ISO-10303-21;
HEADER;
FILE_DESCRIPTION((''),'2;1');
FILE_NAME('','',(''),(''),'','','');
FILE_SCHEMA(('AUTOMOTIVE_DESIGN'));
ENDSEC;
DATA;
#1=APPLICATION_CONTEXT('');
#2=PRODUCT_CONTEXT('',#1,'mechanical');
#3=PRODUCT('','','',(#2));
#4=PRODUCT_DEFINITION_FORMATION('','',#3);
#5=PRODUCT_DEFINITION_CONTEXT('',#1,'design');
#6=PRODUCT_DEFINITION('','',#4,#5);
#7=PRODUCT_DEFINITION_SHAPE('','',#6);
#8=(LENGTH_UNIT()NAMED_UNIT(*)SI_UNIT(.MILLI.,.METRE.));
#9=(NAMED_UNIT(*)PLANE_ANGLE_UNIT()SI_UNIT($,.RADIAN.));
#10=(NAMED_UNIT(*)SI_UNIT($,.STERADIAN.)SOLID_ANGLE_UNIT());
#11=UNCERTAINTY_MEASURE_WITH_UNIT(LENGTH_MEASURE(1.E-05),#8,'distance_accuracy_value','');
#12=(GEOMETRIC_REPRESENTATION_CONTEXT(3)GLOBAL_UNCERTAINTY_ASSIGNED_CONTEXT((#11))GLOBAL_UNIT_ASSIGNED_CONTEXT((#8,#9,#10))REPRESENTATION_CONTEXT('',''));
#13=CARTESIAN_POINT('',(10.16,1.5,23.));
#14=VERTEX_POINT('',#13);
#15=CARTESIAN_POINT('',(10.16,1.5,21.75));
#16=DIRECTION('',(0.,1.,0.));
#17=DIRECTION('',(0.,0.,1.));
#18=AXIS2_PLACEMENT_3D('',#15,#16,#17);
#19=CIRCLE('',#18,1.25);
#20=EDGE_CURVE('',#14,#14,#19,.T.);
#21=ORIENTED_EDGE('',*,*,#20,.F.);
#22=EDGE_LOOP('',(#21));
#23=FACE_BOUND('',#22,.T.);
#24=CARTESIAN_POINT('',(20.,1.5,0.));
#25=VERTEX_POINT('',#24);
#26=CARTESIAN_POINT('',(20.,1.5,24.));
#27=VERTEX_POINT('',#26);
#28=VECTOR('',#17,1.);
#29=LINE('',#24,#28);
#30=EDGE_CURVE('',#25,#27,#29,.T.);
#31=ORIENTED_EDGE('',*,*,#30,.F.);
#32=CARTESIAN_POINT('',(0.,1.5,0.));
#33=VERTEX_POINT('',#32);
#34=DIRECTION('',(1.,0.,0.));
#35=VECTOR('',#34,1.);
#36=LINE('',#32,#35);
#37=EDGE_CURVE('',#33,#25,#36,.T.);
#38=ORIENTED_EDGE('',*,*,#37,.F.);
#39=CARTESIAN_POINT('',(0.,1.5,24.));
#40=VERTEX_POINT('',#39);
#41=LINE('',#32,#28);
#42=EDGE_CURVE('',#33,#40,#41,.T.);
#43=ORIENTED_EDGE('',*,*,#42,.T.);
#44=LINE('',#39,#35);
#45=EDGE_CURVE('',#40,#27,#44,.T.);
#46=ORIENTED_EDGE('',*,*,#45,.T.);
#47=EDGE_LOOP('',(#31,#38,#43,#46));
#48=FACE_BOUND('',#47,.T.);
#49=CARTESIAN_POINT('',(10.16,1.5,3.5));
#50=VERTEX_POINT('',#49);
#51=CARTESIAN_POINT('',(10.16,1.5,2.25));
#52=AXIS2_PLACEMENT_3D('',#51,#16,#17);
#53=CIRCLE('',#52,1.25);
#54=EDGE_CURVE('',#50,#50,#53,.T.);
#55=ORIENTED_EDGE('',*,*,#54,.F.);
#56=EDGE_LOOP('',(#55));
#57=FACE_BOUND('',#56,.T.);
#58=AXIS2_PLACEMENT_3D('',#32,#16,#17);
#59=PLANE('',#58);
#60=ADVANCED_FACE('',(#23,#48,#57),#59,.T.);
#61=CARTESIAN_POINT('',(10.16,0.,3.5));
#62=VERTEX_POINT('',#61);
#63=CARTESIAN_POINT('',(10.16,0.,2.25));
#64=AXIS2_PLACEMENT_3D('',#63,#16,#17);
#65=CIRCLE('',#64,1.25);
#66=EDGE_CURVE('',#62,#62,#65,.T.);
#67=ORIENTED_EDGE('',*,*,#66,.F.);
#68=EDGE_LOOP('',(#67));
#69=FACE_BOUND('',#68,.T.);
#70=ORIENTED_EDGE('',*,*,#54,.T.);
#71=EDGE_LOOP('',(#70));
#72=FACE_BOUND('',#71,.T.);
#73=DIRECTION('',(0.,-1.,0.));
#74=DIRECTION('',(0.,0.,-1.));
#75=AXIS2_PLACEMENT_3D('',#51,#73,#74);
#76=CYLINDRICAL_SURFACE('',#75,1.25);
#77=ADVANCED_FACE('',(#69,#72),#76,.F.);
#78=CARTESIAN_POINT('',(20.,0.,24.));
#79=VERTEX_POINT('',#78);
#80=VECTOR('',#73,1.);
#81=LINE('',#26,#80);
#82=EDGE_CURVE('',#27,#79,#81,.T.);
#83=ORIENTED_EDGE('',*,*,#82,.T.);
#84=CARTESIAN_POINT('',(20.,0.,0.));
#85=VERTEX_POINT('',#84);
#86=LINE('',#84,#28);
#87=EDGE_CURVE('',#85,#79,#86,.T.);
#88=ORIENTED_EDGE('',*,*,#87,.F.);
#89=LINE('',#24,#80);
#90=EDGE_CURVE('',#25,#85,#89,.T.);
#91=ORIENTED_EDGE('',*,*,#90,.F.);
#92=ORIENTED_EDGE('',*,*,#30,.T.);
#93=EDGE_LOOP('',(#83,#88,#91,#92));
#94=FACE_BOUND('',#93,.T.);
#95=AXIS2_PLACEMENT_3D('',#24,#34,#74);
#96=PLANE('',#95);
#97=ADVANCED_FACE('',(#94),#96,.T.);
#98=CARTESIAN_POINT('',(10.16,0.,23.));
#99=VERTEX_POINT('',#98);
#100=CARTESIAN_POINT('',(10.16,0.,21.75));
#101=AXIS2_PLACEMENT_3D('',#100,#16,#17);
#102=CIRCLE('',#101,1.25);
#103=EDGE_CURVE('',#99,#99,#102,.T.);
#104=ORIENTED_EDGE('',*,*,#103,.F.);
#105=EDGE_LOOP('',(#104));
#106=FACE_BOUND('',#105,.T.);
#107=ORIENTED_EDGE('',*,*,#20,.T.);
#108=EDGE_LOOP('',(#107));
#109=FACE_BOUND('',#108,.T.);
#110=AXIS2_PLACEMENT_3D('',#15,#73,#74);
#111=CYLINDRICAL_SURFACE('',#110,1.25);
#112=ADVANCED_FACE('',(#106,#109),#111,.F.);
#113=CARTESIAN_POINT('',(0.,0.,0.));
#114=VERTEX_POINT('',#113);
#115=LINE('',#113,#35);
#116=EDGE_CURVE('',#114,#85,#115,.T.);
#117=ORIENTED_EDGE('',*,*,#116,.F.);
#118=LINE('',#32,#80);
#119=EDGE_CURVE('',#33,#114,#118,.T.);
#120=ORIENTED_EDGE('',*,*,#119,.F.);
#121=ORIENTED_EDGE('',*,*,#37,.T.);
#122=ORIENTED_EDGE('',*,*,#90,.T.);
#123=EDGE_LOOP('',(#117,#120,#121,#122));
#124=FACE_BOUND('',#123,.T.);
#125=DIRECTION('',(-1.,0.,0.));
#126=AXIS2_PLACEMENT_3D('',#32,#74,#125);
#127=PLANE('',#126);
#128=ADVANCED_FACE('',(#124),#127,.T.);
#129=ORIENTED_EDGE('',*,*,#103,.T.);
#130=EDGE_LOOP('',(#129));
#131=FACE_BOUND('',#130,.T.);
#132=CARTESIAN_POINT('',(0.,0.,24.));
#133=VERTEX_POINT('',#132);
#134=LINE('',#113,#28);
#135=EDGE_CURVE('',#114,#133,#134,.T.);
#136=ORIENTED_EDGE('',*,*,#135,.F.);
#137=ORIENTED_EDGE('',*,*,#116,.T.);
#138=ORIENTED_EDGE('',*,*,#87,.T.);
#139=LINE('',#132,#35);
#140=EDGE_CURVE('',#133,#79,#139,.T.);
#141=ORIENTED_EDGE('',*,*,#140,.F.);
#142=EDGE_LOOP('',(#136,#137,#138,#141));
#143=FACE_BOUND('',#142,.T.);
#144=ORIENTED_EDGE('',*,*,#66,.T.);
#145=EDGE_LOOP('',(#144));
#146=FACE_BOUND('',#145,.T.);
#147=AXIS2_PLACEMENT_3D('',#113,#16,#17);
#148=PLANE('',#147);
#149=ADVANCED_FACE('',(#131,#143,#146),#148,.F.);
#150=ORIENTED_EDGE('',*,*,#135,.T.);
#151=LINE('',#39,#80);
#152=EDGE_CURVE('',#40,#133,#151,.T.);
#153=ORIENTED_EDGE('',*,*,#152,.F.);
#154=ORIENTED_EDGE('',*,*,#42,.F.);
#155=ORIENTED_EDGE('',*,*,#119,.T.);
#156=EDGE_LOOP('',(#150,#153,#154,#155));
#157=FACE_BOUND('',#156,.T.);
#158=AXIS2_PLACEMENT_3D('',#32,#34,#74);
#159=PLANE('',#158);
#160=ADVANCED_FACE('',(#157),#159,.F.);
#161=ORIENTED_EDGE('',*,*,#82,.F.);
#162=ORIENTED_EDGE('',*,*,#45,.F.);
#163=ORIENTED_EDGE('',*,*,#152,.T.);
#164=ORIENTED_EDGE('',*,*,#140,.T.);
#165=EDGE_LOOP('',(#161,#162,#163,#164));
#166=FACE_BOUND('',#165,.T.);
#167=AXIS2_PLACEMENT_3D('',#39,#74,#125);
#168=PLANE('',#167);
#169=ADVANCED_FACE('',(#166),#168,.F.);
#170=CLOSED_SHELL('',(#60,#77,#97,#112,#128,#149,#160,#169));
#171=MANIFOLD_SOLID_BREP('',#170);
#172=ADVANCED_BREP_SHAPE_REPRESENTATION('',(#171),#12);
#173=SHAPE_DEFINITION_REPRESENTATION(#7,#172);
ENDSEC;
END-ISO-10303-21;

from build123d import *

# Parameters (mm, degrees)
SKETCH2_W           = 20
SKETCH2_H           = 24
SKETCH2_R           = 1.25
BOSS_EXTRUDE1_DEPTH = 1.5


with BuildPart() as part:
    # Sketch2 → Boss-Extrude1 (new body)
    with BuildSketch(Plane(origin=(0, 0, 0), x_dir=(1, 0, 0), z_dir=(0, 1, 0))):
        with Locations((10, -12)):
            Rectangle(SKETCH2_W, SKETCH2_H)
        with Locations((10.16, -2.25)):
            Circle(SKETCH2_R, mode=Mode.SUBTRACT)
        with Locations((10.16, -21.75)):
            Circle(SKETCH2_R, mode=Mode.SUBTRACT)
    extrude(amount=BOSS_EXTRUDE1_DEPTH)


solid = part.part
